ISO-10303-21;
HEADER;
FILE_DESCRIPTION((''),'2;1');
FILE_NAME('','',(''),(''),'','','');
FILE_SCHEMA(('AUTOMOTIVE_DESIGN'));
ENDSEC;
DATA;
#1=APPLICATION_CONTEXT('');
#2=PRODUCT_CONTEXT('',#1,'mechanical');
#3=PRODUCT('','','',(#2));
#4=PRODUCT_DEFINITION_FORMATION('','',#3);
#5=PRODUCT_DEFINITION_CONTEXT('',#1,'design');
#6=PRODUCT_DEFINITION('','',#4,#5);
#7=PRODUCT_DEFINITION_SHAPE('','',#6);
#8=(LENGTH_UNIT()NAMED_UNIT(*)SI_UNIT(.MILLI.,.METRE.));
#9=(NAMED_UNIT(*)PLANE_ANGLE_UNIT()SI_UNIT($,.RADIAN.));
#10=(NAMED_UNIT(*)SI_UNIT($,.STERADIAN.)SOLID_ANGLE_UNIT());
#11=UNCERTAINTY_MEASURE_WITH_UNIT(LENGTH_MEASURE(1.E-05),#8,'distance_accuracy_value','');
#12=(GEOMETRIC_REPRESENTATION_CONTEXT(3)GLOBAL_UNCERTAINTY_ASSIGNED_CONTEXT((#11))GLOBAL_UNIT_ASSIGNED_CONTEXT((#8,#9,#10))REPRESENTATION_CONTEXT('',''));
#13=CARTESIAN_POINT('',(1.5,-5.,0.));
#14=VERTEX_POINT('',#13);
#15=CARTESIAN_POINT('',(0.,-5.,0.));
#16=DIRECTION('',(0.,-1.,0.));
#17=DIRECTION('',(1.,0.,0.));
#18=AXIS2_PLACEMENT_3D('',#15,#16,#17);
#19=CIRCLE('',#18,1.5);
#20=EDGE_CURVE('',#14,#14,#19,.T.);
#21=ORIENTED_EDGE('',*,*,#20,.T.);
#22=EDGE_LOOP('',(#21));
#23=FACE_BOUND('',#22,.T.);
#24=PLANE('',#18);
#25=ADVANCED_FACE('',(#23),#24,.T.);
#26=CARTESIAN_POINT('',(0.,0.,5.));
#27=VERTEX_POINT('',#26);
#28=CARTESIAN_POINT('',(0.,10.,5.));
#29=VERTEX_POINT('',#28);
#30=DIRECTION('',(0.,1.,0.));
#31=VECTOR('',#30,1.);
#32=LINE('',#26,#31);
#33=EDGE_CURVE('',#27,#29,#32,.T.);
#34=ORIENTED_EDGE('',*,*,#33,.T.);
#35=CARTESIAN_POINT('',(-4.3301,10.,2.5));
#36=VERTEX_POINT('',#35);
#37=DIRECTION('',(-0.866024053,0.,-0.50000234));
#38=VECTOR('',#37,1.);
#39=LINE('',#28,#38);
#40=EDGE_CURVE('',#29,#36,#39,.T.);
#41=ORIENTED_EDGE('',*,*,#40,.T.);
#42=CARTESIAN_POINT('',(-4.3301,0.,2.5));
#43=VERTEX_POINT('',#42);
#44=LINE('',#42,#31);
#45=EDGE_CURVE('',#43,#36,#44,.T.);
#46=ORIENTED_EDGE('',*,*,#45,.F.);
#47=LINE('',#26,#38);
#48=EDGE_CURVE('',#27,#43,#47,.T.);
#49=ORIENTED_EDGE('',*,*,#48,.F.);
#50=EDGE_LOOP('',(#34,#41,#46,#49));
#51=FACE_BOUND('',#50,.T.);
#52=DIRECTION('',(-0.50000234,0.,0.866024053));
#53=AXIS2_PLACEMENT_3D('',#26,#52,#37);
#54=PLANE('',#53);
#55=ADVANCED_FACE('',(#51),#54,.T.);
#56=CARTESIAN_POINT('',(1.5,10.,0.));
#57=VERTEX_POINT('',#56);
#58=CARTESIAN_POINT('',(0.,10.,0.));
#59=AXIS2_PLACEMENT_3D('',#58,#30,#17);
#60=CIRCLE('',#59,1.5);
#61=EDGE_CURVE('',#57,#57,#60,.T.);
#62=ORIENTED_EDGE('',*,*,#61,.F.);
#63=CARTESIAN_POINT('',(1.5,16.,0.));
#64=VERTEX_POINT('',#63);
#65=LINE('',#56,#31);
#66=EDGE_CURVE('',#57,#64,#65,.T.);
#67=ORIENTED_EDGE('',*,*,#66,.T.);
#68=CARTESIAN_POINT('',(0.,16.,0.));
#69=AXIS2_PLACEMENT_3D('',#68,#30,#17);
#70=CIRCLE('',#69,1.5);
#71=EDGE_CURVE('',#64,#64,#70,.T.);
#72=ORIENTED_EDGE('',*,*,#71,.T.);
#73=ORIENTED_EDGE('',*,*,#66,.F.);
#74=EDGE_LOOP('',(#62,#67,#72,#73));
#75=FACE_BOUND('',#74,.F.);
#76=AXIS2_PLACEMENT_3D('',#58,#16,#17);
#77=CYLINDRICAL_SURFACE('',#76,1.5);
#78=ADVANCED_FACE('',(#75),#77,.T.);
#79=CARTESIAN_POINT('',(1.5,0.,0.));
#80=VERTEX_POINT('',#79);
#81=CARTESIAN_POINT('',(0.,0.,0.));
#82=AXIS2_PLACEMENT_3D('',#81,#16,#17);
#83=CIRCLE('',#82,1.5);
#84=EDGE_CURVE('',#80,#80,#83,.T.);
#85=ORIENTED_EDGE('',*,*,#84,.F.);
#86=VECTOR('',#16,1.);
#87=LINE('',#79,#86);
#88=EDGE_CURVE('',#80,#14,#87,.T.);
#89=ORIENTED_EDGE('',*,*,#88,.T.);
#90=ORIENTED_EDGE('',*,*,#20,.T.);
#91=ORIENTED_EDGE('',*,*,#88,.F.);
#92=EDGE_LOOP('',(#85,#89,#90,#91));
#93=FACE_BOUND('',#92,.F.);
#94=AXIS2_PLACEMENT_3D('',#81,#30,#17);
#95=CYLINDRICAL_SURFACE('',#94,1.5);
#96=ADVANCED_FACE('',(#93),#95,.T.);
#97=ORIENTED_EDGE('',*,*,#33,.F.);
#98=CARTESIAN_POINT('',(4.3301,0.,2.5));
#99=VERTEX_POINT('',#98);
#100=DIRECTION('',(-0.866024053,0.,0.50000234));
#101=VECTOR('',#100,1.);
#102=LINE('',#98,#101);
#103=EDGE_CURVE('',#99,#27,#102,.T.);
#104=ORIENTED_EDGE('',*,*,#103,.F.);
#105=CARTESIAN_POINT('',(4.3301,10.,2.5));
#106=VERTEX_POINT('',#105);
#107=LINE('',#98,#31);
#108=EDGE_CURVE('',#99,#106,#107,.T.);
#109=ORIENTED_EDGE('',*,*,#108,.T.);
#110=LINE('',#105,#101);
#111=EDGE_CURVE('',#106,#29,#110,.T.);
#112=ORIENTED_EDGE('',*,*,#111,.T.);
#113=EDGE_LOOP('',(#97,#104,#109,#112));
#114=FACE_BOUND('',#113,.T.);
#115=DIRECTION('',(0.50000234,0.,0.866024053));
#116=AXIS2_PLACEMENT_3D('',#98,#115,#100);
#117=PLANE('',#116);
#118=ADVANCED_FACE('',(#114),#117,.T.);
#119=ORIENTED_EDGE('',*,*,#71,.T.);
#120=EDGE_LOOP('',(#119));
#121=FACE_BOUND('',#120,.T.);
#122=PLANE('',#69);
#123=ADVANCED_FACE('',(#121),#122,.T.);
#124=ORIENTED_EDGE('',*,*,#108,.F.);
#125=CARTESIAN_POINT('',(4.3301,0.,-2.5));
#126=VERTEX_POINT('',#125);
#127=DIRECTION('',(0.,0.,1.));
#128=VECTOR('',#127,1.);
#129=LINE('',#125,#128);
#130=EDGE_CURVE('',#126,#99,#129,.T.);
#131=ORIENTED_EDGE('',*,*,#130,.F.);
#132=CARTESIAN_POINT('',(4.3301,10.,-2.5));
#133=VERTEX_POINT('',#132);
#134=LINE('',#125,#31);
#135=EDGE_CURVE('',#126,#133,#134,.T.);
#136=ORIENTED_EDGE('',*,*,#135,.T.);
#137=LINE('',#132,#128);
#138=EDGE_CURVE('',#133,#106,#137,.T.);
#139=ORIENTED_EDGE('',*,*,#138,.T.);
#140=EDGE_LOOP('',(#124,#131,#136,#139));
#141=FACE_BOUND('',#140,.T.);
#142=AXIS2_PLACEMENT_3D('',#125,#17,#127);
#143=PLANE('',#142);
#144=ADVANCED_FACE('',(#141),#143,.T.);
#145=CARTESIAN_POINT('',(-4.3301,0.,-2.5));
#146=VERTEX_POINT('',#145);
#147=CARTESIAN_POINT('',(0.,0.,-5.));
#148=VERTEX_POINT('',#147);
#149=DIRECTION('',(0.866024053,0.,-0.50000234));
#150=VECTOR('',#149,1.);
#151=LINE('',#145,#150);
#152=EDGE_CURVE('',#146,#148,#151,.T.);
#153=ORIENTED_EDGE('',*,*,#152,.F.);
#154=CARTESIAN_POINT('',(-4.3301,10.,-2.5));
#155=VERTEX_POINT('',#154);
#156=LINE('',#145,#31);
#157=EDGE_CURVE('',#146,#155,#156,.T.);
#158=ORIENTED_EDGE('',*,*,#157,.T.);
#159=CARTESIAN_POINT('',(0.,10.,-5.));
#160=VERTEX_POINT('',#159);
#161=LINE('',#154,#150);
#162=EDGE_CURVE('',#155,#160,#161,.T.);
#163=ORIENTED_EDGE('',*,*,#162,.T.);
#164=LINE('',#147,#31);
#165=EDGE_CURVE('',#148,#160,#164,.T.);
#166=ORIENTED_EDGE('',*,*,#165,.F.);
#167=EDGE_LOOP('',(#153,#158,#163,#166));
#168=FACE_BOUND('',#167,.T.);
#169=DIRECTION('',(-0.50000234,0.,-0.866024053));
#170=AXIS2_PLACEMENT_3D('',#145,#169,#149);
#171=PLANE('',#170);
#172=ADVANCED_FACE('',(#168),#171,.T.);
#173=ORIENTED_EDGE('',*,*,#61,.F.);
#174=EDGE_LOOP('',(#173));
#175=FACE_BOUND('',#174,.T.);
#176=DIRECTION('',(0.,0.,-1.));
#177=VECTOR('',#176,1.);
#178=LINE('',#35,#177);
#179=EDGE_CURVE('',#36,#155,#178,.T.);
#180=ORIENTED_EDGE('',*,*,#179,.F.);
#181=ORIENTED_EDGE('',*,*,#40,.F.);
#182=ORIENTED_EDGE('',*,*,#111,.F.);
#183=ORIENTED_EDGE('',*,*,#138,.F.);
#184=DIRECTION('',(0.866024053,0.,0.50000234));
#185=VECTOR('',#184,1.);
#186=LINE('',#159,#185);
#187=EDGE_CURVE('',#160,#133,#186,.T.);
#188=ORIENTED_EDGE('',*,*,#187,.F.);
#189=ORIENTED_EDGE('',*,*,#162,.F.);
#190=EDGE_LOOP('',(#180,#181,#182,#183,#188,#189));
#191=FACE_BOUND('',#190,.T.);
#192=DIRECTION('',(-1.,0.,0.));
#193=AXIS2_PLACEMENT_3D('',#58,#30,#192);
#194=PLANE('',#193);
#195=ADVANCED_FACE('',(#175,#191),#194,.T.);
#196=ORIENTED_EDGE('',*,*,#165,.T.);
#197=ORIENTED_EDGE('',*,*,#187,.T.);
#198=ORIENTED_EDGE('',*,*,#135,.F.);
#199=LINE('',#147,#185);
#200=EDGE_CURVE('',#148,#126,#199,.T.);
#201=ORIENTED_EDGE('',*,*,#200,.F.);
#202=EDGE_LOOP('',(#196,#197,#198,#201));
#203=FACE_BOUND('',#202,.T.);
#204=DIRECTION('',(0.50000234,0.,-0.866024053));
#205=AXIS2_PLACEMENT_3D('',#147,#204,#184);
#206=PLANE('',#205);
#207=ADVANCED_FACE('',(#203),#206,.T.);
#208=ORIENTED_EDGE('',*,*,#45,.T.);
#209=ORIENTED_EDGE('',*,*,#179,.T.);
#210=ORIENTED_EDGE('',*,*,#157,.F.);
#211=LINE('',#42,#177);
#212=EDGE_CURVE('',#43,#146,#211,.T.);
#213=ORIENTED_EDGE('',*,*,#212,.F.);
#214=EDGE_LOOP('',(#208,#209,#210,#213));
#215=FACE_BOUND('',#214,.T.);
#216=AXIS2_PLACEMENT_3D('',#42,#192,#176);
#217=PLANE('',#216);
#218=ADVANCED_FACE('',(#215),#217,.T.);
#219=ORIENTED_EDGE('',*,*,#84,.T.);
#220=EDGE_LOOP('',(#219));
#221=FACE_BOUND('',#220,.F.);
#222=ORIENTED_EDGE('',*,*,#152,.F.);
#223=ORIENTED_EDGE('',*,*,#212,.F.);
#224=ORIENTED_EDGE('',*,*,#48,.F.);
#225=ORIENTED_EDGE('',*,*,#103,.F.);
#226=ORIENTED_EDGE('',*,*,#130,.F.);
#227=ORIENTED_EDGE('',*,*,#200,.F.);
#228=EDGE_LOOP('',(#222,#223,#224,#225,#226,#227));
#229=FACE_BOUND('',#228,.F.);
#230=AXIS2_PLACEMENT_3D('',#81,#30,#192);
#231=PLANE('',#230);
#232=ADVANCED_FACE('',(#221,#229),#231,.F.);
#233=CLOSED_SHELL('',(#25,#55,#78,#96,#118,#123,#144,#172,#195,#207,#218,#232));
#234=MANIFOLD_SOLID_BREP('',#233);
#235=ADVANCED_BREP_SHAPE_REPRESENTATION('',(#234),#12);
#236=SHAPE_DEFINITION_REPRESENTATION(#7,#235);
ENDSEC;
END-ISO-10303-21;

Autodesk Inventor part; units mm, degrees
ref_plane "YZ Plane" through (0, 0, 0) normal (1, 0, 0) x (0, 1, 0)
ref_plane "XZ Plane" through (0, 0, 0) normal (0, 1, 0) x (-1, 0, 0)
ref_plane "XY Plane" through (0, 0, 0) normal (0, 0, 1) x (1, 0, 0)
sketch "Sketch1" plane through (0, 0, 0) normal (0, 1, 0) x (-1, 0, 0)
  line L0 (0, -5) -> (-4.3301, -2.5)
  line L1 (-4.3301, -2.5) -> (-4.3301, 2.5)
  line L2 (-4.3301, 2.5) -> (0, 5)
  line L3 (0, 5) -> (4.3301, 2.5)
  line L4 (4.3301, 2.5) -> (4.3301, -2.5)
  line L5 (4.3301, -2.5) -> (0, -5)
  point P0 (0, 0)
  point P1 (0, 0)
  point P2 (0, 0)
  dimension "d1" = 5
extrude "Extrusion1" add sketch "Sketch1" along normal blind 10
sketch "Sketch2" plane through (0, 10, 0) normal (0, 1, 0) x (1, 0, 0)
  circle A0 centre (0, 0) radius 1.5
  dimension "d4" = 3
extrude "Extrusion2" add sketch "Sketch2" along normal blind 6
sketch "Sketch3" plane through (0, 0, 0) normal (0, -1, 0) x (1, 0, 0)
  circle A0 centre (0, 0) radius 1.5
  dimension "d7" = 3
extrude "Extrusion3" add sketch "Sketch3" along normal blind 5
thread "Thread1" size "M3x0.5" class "6g" standard "ANSI Metric M Profile" length 4
thread "Thread2" size "M3x0.5" class "6g" standard "ANSI Metric M Profile" full length
properties part number "spacer" material "Aluminum 6061"
